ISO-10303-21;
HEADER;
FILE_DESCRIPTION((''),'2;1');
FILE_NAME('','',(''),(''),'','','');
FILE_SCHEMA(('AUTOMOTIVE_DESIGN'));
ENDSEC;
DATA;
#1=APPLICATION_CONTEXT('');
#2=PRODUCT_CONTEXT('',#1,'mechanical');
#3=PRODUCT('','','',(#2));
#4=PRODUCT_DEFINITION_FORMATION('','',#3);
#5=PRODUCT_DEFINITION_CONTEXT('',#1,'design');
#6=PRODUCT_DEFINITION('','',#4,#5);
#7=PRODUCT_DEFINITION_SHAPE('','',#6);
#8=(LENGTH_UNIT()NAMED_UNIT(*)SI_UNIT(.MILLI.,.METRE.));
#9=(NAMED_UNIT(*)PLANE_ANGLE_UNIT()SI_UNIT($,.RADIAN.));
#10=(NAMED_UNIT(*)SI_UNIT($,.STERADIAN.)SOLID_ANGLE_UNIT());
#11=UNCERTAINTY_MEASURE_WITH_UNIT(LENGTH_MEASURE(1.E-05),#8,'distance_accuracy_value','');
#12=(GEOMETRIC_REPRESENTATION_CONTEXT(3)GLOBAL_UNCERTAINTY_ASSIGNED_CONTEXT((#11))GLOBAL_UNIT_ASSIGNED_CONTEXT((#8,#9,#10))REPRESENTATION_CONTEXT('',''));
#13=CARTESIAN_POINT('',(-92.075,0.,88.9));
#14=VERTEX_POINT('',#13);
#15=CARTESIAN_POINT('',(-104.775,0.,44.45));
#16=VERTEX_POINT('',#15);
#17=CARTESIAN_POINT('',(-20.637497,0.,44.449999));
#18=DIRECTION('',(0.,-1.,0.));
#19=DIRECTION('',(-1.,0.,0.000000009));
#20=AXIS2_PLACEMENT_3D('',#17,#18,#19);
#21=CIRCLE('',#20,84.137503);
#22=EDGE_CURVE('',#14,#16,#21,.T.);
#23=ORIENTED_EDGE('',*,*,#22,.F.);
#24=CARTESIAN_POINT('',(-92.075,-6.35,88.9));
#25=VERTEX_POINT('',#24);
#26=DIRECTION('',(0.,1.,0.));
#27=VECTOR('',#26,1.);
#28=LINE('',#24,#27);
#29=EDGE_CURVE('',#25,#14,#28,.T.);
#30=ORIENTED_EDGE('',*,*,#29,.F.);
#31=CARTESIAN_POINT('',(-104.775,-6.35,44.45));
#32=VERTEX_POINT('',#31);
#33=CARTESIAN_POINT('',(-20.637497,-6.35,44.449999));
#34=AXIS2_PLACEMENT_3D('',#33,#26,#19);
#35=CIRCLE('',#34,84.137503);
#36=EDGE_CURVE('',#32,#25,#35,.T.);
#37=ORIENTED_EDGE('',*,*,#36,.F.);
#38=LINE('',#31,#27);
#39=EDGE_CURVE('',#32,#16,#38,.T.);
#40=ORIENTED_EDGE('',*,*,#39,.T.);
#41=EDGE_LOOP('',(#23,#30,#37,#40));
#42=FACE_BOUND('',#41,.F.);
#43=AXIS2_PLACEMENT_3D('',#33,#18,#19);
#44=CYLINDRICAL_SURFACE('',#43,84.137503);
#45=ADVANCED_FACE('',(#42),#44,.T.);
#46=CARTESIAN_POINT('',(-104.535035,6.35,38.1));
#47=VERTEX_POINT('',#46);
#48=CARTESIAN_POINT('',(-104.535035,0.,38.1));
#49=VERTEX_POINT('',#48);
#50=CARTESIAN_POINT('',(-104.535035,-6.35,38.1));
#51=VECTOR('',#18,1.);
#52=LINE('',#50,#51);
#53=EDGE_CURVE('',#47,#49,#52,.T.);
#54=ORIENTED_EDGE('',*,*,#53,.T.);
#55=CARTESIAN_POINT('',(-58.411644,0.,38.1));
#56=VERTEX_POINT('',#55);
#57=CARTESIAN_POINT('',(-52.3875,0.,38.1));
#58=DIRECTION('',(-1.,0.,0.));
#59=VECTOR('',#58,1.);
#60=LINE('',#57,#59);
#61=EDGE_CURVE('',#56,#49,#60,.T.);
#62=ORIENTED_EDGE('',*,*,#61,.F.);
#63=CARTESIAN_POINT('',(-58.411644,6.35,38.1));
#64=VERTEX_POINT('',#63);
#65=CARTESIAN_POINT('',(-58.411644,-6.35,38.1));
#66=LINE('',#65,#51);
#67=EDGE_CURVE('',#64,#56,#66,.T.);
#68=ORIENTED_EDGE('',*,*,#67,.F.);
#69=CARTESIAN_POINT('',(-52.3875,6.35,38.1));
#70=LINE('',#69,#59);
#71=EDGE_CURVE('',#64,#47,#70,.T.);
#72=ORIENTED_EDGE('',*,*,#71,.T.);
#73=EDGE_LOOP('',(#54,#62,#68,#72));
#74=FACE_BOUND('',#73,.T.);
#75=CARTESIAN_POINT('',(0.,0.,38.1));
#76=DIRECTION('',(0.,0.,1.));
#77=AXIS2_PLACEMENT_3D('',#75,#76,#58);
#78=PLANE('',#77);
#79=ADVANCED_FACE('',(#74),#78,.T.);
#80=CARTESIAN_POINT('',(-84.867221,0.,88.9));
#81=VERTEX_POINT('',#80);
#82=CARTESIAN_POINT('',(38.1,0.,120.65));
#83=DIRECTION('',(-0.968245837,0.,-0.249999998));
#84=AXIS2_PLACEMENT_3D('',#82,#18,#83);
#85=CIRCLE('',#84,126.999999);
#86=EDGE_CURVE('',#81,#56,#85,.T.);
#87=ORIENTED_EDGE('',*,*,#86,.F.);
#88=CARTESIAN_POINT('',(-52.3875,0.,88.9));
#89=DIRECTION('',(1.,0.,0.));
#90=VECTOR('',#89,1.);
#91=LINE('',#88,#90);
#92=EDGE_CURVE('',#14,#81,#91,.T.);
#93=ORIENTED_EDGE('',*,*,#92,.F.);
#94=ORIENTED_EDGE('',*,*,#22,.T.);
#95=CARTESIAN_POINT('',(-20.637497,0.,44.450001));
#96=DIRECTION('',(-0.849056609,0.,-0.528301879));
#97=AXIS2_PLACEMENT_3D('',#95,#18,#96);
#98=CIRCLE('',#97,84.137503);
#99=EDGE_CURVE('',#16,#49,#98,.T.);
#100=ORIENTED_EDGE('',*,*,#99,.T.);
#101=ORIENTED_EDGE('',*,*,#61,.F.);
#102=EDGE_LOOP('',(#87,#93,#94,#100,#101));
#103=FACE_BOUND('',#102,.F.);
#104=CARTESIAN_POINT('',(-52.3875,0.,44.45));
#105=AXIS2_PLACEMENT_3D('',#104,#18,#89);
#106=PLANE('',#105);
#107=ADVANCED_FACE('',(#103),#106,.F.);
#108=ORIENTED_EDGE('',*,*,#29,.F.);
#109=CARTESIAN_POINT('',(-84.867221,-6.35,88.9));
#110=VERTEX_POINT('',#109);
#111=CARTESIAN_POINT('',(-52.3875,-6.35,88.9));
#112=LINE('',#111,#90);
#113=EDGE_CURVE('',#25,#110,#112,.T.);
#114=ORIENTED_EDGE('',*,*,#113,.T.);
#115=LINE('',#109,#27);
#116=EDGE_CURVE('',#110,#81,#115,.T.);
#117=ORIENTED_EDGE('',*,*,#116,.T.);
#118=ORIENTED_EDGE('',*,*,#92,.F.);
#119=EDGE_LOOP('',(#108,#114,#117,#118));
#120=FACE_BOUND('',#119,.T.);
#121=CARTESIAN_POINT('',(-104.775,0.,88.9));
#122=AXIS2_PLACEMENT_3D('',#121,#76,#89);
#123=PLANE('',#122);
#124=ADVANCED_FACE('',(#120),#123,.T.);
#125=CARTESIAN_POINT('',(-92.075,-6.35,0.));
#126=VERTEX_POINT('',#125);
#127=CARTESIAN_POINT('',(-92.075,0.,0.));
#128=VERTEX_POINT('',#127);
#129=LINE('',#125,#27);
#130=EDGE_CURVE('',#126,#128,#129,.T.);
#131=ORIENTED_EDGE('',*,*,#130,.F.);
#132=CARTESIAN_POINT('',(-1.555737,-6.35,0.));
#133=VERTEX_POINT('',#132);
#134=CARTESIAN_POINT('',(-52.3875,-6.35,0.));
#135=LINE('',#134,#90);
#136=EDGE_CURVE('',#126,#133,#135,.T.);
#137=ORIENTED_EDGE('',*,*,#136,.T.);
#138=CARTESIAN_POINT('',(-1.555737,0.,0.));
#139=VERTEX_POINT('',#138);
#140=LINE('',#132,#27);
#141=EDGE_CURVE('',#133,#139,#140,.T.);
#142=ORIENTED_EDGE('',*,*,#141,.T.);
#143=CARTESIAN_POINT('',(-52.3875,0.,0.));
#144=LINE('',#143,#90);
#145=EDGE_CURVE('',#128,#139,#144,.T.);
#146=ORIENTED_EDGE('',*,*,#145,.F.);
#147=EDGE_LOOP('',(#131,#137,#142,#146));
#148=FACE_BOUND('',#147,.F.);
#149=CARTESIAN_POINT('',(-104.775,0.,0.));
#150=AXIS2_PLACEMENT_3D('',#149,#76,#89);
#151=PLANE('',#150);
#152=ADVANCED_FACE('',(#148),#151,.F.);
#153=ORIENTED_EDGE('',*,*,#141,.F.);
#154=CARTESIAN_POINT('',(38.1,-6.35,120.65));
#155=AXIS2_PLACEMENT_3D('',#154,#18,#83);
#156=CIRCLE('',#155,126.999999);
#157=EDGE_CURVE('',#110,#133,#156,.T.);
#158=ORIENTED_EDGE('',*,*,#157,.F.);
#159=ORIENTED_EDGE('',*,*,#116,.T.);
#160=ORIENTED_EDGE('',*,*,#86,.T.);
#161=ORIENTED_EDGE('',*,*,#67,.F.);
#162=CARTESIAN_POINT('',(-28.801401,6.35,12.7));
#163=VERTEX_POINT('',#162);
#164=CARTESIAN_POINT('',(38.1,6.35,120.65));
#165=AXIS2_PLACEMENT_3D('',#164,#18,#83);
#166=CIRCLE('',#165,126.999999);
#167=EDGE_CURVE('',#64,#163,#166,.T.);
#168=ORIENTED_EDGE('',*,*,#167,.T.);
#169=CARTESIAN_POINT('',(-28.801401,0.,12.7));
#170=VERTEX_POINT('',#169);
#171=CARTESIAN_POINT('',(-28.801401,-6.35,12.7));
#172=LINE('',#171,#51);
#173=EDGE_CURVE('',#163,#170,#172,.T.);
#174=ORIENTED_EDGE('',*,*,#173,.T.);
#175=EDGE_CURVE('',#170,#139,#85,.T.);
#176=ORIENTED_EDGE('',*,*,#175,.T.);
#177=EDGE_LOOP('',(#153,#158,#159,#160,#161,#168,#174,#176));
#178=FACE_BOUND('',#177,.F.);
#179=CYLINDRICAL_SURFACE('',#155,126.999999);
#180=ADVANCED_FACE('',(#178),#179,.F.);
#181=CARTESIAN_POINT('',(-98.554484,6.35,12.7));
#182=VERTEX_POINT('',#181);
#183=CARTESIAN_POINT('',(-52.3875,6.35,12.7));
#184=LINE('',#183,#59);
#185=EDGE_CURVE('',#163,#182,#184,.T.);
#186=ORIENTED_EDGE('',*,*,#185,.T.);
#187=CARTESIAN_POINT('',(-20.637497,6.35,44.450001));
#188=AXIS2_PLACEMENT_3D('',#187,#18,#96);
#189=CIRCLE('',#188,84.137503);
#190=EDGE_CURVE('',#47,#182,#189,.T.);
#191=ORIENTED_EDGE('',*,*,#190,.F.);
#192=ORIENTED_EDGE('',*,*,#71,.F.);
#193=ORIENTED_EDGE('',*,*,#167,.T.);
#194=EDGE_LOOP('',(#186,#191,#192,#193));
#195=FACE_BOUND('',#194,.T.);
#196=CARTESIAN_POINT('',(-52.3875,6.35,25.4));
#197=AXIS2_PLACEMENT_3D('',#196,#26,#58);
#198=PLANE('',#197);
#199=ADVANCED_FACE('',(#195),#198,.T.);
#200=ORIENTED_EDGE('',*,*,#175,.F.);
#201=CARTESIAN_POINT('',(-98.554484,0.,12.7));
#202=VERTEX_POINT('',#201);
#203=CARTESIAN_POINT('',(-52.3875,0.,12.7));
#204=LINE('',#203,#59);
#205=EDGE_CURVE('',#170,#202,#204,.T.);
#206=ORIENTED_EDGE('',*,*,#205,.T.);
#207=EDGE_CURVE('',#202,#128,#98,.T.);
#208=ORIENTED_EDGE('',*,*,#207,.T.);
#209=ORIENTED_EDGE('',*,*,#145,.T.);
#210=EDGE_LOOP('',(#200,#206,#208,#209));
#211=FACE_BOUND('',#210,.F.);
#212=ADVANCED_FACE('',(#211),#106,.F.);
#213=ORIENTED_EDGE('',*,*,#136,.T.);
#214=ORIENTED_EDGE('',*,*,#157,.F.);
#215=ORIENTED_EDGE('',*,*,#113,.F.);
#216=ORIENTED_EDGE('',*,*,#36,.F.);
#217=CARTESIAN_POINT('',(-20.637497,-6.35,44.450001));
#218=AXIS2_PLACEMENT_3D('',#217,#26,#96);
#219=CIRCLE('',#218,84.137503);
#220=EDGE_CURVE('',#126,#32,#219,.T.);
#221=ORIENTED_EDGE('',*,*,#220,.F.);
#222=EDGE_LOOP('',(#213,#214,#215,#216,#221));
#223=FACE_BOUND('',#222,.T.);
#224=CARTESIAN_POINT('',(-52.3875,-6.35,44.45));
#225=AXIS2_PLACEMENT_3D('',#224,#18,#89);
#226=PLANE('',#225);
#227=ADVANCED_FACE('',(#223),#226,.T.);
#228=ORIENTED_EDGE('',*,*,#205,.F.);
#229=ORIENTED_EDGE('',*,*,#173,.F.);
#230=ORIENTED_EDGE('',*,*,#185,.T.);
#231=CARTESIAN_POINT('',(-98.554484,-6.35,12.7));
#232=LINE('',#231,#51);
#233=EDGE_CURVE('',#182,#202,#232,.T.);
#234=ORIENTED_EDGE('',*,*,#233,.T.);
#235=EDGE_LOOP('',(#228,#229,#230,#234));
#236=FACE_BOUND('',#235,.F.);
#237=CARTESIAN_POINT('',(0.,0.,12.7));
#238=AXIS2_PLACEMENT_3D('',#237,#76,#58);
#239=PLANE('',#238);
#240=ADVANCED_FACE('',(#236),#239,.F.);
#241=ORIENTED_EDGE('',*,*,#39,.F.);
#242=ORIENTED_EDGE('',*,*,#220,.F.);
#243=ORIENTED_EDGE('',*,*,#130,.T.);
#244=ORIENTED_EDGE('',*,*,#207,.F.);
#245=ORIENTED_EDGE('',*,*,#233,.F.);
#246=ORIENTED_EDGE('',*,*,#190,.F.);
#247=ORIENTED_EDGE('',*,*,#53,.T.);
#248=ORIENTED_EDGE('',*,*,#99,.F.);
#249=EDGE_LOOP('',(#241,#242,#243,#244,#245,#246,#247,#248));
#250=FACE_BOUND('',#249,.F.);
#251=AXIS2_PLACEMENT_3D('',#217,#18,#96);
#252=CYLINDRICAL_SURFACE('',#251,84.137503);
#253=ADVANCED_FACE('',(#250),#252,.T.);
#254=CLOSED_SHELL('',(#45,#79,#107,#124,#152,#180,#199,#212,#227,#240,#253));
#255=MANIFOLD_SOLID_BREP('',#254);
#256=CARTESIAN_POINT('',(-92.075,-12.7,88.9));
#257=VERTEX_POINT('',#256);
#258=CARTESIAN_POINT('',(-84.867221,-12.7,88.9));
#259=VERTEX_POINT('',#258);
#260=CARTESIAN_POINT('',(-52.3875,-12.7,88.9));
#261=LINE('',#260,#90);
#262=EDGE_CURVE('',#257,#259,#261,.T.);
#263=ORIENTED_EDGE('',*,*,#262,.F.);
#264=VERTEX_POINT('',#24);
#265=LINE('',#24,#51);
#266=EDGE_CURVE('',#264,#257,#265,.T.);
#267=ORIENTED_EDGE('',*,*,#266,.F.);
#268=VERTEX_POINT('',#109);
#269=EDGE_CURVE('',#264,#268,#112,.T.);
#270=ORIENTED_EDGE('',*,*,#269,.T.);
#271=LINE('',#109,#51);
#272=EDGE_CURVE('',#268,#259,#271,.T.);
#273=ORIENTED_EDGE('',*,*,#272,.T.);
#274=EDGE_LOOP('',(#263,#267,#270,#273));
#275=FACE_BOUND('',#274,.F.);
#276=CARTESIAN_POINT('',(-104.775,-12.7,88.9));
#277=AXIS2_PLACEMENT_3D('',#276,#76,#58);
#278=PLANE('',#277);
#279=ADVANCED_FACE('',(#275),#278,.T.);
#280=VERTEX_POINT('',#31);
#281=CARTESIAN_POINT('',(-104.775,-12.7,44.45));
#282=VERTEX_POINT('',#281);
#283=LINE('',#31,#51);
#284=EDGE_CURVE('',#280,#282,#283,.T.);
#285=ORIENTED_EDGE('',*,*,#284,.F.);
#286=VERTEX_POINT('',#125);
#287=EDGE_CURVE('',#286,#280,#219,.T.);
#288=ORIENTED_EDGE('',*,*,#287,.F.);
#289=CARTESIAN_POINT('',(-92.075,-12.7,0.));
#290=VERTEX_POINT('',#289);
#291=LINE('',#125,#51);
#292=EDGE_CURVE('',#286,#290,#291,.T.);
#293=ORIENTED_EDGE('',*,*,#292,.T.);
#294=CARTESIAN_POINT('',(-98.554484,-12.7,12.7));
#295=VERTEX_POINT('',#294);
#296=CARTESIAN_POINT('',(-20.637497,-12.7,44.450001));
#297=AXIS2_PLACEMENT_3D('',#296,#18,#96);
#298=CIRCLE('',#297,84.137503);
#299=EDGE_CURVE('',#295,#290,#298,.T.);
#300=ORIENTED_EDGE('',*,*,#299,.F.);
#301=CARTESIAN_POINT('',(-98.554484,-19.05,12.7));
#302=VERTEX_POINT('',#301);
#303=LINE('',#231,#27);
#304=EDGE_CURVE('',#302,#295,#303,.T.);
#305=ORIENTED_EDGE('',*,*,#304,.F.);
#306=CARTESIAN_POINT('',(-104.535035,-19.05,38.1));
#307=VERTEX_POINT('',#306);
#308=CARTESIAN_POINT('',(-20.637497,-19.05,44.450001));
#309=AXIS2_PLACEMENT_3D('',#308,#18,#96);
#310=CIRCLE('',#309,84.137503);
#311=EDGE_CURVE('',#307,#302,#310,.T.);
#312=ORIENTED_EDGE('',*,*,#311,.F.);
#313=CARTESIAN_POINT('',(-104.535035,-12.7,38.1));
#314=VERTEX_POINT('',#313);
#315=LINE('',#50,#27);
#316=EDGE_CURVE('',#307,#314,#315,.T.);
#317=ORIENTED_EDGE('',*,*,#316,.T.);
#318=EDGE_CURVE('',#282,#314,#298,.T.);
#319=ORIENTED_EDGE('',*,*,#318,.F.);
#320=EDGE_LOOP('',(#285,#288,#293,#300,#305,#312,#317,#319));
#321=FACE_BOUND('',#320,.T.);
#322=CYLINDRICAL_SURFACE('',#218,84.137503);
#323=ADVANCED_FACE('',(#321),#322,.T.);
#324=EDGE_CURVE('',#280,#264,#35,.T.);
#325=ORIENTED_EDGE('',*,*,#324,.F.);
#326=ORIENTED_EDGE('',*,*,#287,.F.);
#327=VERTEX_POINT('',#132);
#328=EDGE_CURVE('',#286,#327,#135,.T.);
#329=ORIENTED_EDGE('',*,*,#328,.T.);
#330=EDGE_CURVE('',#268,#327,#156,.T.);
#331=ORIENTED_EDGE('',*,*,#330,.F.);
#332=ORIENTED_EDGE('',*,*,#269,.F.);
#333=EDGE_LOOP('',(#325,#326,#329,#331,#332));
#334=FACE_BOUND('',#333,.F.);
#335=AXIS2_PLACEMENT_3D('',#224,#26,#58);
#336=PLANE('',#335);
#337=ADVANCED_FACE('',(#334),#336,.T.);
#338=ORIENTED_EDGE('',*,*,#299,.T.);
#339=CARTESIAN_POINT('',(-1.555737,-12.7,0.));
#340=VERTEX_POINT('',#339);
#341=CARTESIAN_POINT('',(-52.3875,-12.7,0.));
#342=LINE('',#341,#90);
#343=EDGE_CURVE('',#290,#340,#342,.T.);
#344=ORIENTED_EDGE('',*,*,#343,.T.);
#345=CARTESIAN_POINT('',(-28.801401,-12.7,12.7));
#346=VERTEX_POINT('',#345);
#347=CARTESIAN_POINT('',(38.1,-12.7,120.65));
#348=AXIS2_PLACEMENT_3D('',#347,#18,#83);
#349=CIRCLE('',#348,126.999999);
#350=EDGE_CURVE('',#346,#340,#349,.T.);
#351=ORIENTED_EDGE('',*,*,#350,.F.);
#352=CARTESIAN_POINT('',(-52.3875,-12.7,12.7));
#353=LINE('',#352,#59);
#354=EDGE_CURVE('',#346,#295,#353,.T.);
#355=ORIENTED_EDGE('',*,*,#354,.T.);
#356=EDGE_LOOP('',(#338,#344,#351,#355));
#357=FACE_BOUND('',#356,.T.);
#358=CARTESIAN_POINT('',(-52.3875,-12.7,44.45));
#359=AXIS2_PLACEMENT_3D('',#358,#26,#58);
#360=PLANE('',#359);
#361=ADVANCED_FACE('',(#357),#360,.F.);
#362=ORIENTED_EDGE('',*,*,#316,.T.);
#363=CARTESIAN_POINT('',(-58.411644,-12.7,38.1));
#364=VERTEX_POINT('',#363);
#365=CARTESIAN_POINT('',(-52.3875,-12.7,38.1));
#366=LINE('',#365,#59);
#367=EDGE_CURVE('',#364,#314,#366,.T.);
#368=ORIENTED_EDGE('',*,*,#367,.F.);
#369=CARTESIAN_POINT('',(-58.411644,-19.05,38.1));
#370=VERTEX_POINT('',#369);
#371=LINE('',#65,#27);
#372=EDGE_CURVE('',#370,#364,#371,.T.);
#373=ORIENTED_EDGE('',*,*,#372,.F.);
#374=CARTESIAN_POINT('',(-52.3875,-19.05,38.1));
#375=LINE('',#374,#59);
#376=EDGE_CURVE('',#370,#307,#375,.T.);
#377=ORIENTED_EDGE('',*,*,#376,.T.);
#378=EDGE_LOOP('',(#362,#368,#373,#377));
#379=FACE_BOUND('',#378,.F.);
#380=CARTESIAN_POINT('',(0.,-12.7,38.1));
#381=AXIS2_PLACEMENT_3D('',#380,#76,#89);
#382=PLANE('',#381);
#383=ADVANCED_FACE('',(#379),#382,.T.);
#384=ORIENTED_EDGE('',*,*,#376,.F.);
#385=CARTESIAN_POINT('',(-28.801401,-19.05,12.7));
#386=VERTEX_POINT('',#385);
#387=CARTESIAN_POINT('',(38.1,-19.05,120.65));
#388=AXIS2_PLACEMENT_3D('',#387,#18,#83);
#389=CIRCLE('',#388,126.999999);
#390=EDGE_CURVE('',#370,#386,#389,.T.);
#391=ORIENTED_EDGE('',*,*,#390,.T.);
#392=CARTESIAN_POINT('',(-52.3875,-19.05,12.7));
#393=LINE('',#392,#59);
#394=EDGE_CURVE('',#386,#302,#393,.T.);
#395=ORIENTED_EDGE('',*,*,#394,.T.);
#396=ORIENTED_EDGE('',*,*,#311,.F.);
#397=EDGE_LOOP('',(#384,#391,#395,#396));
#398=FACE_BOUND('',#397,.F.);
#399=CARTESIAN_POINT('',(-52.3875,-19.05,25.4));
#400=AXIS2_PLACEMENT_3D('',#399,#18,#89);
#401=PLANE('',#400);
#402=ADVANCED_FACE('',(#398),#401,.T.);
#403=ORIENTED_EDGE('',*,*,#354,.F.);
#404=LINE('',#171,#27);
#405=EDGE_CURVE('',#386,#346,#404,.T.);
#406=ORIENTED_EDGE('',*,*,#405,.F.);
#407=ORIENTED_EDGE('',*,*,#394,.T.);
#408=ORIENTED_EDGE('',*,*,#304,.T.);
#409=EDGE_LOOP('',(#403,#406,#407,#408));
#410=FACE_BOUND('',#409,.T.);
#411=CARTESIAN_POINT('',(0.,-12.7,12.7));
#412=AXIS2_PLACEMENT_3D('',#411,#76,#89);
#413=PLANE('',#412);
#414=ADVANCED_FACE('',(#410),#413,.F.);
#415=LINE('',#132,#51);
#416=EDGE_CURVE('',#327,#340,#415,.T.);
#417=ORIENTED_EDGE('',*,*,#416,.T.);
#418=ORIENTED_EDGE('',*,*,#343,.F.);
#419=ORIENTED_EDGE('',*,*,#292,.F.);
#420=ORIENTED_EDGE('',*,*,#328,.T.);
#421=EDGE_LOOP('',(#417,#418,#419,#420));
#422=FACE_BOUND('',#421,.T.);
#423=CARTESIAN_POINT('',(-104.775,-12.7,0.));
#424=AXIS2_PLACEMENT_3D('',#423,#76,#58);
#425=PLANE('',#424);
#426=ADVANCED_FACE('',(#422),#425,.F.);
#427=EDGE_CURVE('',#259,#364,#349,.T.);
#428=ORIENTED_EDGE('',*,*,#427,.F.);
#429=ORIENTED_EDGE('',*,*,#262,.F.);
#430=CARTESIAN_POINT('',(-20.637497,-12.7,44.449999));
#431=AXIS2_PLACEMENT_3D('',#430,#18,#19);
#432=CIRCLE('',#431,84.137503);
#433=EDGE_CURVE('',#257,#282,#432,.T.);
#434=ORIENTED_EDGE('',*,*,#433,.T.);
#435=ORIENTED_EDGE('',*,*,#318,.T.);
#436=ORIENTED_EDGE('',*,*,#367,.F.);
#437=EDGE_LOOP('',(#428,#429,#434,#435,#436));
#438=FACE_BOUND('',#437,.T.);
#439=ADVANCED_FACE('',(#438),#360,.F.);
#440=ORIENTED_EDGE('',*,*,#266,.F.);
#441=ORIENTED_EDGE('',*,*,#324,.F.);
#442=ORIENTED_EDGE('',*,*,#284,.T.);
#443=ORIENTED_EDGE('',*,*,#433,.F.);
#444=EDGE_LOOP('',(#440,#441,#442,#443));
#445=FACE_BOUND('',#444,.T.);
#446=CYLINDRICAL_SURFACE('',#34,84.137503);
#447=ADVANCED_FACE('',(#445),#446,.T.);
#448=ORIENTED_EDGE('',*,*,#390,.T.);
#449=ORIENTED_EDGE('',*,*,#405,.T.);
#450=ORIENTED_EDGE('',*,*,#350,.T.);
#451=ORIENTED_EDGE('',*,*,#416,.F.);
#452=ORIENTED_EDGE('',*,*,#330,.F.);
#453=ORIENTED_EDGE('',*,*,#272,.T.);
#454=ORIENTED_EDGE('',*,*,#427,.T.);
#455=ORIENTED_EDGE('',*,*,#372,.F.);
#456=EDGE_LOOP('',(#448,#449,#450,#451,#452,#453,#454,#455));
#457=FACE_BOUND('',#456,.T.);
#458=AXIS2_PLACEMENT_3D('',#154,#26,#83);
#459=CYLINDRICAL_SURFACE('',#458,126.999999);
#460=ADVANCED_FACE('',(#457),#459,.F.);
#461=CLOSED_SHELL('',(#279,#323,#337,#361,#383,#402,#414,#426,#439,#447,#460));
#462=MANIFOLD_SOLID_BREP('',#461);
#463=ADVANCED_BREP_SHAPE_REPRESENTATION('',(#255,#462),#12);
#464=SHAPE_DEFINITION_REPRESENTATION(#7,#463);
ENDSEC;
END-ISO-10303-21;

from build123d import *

# Parameters (mm, degrees)
F0_W     = 104.775
F0_H     = 88.9
F1_DEPTH = 6.35
F2_W     = 104.775
F2_H     = 25.4
F3_DEPTH = 6.35
F5_DEPTH = 254
F7_DEPTH = 25.4


with BuildPart() as f1:
    # F0 (on Front) → F1 (new body)
    with BuildSketch(Plane.XZ):
        with Locations((-52.3875, 44.45)):
            Rectangle(F0_W, F0_H)
    extrude(amount=F1_DEPTH)

    # F2 (on face) → F3 (join)
    with BuildSketch(Plane(origin=(0, 0, 0), x_dir=(-1, 0, 0), z_dir=(0, 1, 0))):
        with Locations((52.3875, 25.4)):
            Rectangle(F2_W, F2_H)
    extrude(amount=F3_DEPTH)

    # F4 (on face) → F5 (cut)
    with BuildSketch(Plane.XZ.offset(6.35)):
        with BuildLine():
            ThreePointArc((-104.775, 44.45), (-101.537721, 67.564349), (-92.075, 88.9))
            Line((-92.075, 88.9), (-104.775, 88.9))
            Line((-104.775, 88.9), (-104.775, 44.45))
        make_face()
        with BuildLine():
            ThreePointArc((-92.075, 0), (-101.537721, 21.335651), (-104.775, 44.45))
            Line((-104.775, 44.45), (-104.775, 0))
            Line((-104.775, 0), (-92.075, 0))
        make_face()
    extrude(amount=-F5_DEPTH, mode=Mode.SUBTRACT)

    # F6 (on face) → F7 (cut)
    with BuildSketch(Plane.XZ.offset(6.35)):
        with BuildLine():
            ThreePointArc((-84.867221, 88.9), (-54.568005, 33.807379), (-1.555737, 0))
            Line((-1.555737, 0), (0, 0))
            Line((0, 0), (0, 88.9))
            Line((0, 88.9), (-84.867221, 88.9))
        make_face()
    extrude(amount=-F7_DEPTH, mode=Mode.SUBTRACT)


with BuildPart() as f8_1:
    # F8: instance of F1
    add(f1.part.mirror(Plane(origin=(-73.474778, -6.35, 31.549157), x_dir=(1, 0, 0), z_dir=(0, -1, 0))))


solid = Compound([f1.part, f8_1.part])
